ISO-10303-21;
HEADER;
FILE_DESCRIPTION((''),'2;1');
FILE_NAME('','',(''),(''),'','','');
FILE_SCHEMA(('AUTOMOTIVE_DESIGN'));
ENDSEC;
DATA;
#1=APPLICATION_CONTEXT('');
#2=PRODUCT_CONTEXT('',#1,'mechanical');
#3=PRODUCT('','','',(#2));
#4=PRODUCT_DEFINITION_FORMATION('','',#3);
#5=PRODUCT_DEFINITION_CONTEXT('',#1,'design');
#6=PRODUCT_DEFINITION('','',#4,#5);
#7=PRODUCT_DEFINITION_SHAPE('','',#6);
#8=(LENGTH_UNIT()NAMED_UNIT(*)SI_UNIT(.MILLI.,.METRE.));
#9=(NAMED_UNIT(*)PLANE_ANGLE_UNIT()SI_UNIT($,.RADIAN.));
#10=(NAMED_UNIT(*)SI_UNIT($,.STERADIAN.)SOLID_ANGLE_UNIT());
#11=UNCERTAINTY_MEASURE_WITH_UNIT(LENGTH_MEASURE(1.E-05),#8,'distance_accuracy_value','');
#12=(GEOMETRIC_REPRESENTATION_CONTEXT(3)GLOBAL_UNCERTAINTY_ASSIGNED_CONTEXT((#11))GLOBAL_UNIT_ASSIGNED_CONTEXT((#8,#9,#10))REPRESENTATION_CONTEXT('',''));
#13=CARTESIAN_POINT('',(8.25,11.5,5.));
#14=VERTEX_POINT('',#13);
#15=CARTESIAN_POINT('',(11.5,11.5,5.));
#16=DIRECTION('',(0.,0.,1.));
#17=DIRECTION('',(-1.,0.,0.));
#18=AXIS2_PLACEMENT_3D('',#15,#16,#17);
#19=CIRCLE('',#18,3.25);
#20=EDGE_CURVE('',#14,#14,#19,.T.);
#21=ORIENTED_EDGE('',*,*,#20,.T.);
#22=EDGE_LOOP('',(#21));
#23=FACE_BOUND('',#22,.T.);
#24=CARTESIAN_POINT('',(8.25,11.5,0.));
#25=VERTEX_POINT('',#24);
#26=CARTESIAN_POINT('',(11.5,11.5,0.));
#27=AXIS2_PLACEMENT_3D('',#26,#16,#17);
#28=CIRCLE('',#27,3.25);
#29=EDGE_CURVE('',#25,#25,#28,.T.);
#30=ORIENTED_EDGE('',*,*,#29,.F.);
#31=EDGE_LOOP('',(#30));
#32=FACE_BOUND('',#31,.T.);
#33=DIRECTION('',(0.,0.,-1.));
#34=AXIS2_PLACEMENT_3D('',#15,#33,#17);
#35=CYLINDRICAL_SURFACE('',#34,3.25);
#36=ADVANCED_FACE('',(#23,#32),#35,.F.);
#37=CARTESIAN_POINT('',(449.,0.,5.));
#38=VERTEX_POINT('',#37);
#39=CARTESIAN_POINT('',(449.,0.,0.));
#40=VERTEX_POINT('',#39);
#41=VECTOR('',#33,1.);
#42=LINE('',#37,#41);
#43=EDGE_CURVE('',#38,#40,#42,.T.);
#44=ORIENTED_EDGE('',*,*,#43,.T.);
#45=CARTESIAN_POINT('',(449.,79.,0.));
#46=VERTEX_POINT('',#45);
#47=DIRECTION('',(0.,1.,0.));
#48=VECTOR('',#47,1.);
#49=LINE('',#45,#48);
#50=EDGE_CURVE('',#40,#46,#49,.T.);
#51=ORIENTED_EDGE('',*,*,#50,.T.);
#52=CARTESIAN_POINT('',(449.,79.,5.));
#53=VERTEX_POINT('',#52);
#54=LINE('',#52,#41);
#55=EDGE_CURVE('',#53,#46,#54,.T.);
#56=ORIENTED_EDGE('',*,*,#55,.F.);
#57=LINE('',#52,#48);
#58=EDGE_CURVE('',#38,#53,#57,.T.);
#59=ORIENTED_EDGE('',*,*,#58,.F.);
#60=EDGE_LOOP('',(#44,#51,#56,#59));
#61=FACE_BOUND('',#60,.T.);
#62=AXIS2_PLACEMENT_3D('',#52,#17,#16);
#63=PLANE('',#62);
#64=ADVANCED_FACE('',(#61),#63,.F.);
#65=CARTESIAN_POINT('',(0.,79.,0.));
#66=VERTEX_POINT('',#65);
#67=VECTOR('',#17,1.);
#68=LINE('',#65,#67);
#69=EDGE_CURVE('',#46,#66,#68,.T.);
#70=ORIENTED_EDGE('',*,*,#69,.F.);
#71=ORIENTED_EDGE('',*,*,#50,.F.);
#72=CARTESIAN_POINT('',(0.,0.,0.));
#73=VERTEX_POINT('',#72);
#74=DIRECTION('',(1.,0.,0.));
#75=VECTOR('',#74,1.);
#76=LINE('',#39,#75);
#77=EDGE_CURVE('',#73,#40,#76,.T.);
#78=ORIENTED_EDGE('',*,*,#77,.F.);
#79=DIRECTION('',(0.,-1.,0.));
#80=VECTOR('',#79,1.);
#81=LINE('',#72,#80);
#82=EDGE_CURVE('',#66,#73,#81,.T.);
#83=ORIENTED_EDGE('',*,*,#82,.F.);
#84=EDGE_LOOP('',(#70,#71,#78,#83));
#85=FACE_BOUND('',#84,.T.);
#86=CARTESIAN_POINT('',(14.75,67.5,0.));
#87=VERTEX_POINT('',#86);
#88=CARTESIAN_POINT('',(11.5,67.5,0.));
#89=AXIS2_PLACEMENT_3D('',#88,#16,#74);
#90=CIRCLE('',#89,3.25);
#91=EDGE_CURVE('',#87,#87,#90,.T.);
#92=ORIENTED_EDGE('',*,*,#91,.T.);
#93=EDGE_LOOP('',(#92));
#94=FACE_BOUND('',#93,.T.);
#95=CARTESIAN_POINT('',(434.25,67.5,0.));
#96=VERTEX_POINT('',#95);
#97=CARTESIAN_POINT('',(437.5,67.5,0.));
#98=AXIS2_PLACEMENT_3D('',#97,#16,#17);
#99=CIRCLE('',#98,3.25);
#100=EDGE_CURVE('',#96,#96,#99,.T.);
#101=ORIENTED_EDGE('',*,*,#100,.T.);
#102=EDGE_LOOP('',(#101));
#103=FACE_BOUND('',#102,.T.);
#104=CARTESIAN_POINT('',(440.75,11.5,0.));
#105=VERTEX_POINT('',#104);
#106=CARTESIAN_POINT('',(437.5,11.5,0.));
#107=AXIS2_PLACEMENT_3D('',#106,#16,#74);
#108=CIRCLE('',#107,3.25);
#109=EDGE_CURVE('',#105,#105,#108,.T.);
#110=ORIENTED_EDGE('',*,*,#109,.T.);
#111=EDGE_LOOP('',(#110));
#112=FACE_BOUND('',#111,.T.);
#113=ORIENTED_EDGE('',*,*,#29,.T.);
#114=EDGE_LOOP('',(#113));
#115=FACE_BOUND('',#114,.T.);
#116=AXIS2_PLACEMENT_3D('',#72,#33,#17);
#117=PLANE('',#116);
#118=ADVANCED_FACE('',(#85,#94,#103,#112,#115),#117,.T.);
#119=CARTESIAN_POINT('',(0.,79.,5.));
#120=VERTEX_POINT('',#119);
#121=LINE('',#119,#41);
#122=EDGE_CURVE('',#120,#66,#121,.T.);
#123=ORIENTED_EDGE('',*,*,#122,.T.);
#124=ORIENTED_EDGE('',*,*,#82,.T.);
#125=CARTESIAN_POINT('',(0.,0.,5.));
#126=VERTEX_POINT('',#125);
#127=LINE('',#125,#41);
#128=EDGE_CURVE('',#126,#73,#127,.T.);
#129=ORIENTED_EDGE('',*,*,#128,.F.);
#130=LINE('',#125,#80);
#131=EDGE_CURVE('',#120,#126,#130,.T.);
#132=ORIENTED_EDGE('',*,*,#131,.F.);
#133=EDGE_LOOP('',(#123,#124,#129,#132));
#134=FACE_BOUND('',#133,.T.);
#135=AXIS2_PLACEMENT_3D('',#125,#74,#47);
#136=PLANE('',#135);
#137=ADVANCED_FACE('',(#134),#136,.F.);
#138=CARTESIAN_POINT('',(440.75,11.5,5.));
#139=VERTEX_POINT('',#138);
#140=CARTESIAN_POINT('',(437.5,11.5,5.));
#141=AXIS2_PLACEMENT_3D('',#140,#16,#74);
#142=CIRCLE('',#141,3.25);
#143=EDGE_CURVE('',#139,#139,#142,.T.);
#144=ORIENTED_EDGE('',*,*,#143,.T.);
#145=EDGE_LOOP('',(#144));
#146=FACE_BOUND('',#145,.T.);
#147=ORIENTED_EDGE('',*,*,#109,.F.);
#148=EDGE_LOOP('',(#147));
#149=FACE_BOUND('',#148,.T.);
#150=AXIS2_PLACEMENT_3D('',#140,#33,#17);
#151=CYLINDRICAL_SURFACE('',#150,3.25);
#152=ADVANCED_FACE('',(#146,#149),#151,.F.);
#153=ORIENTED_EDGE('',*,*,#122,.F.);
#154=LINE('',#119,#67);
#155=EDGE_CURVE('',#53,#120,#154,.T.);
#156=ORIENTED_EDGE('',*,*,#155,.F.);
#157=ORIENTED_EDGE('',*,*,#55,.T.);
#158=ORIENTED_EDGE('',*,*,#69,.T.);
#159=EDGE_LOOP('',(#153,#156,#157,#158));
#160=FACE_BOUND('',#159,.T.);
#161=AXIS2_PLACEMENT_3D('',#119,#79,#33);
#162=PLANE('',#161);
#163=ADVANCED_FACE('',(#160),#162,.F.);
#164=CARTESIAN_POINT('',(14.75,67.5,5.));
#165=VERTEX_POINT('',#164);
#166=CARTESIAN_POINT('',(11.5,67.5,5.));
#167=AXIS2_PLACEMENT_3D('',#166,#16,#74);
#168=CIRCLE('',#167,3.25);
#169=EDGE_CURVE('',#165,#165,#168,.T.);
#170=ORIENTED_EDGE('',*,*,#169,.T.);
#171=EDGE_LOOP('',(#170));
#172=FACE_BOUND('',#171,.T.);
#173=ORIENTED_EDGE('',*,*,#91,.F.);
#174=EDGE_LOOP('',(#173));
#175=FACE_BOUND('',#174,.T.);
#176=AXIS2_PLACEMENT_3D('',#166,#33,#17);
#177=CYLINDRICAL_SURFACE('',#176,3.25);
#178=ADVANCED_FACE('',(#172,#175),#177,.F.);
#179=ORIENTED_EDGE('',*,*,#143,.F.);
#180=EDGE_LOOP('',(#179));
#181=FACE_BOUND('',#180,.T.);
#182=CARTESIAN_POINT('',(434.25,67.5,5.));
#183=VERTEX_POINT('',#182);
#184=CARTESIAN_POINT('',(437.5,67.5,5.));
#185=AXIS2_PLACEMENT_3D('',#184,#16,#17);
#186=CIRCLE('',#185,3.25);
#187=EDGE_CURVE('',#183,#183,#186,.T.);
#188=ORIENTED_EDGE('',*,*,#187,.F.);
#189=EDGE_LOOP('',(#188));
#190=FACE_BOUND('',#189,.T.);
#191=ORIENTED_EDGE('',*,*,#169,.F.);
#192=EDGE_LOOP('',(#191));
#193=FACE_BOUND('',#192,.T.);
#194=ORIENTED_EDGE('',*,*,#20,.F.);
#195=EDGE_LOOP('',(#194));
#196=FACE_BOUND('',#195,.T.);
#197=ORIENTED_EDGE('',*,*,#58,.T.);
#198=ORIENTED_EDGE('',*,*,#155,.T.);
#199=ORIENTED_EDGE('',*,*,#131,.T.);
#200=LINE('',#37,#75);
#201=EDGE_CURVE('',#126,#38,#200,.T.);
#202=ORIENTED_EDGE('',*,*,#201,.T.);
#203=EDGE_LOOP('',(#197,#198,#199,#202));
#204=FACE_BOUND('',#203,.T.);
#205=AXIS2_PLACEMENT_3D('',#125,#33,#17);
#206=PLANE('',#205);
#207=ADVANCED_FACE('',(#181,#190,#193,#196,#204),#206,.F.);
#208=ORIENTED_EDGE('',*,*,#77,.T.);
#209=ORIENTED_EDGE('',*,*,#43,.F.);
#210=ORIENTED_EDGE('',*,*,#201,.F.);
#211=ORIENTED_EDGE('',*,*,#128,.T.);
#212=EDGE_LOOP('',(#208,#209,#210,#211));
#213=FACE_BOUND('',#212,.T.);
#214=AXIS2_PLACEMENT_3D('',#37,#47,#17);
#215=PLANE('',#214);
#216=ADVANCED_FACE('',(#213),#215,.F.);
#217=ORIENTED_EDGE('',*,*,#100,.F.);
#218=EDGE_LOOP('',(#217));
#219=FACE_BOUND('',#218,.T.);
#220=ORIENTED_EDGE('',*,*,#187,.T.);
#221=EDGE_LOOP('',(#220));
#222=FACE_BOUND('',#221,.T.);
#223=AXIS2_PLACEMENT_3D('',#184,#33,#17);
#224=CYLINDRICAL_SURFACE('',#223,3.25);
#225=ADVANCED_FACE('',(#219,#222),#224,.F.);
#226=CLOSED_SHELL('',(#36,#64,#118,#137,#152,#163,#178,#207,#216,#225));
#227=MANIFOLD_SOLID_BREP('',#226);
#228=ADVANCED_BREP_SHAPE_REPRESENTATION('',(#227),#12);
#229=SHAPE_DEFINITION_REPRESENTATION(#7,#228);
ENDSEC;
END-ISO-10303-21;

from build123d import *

# Parameters (mm, degrees)
SKETCH_F_W                   = 449
SKETCH_F_H                   = 79
SKETCH_F_R                   = 3.25
ESTRUSIONE_ESTRUSIONE1_DEPTH = 5


with BuildPart() as part:
    # Sketch f → Estrusione-Estrusione1 (new body)
    with BuildSketch(Plane.XY):
        with Locations((224.5, 39.5)):
            Rectangle(SKETCH_F_W, SKETCH_F_H)
        with Locations((11.5, 67.5)):
            Circle(SKETCH_F_R, mode=Mode.SUBTRACT)
        with Locations((437.5, 67.5)):
            Circle(SKETCH_F_R, mode=Mode.SUBTRACT)
        with Locations((11.5, 11.5)):
            Circle(SKETCH_F_R, mode=Mode.SUBTRACT)
        with Locations((437.5, 11.5)):
            Circle(SKETCH_F_R, mode=Mode.SUBTRACT)
    extrude(amount=ESTRUSIONE_ESTRUSIONE1_DEPTH)


solid = part.part
